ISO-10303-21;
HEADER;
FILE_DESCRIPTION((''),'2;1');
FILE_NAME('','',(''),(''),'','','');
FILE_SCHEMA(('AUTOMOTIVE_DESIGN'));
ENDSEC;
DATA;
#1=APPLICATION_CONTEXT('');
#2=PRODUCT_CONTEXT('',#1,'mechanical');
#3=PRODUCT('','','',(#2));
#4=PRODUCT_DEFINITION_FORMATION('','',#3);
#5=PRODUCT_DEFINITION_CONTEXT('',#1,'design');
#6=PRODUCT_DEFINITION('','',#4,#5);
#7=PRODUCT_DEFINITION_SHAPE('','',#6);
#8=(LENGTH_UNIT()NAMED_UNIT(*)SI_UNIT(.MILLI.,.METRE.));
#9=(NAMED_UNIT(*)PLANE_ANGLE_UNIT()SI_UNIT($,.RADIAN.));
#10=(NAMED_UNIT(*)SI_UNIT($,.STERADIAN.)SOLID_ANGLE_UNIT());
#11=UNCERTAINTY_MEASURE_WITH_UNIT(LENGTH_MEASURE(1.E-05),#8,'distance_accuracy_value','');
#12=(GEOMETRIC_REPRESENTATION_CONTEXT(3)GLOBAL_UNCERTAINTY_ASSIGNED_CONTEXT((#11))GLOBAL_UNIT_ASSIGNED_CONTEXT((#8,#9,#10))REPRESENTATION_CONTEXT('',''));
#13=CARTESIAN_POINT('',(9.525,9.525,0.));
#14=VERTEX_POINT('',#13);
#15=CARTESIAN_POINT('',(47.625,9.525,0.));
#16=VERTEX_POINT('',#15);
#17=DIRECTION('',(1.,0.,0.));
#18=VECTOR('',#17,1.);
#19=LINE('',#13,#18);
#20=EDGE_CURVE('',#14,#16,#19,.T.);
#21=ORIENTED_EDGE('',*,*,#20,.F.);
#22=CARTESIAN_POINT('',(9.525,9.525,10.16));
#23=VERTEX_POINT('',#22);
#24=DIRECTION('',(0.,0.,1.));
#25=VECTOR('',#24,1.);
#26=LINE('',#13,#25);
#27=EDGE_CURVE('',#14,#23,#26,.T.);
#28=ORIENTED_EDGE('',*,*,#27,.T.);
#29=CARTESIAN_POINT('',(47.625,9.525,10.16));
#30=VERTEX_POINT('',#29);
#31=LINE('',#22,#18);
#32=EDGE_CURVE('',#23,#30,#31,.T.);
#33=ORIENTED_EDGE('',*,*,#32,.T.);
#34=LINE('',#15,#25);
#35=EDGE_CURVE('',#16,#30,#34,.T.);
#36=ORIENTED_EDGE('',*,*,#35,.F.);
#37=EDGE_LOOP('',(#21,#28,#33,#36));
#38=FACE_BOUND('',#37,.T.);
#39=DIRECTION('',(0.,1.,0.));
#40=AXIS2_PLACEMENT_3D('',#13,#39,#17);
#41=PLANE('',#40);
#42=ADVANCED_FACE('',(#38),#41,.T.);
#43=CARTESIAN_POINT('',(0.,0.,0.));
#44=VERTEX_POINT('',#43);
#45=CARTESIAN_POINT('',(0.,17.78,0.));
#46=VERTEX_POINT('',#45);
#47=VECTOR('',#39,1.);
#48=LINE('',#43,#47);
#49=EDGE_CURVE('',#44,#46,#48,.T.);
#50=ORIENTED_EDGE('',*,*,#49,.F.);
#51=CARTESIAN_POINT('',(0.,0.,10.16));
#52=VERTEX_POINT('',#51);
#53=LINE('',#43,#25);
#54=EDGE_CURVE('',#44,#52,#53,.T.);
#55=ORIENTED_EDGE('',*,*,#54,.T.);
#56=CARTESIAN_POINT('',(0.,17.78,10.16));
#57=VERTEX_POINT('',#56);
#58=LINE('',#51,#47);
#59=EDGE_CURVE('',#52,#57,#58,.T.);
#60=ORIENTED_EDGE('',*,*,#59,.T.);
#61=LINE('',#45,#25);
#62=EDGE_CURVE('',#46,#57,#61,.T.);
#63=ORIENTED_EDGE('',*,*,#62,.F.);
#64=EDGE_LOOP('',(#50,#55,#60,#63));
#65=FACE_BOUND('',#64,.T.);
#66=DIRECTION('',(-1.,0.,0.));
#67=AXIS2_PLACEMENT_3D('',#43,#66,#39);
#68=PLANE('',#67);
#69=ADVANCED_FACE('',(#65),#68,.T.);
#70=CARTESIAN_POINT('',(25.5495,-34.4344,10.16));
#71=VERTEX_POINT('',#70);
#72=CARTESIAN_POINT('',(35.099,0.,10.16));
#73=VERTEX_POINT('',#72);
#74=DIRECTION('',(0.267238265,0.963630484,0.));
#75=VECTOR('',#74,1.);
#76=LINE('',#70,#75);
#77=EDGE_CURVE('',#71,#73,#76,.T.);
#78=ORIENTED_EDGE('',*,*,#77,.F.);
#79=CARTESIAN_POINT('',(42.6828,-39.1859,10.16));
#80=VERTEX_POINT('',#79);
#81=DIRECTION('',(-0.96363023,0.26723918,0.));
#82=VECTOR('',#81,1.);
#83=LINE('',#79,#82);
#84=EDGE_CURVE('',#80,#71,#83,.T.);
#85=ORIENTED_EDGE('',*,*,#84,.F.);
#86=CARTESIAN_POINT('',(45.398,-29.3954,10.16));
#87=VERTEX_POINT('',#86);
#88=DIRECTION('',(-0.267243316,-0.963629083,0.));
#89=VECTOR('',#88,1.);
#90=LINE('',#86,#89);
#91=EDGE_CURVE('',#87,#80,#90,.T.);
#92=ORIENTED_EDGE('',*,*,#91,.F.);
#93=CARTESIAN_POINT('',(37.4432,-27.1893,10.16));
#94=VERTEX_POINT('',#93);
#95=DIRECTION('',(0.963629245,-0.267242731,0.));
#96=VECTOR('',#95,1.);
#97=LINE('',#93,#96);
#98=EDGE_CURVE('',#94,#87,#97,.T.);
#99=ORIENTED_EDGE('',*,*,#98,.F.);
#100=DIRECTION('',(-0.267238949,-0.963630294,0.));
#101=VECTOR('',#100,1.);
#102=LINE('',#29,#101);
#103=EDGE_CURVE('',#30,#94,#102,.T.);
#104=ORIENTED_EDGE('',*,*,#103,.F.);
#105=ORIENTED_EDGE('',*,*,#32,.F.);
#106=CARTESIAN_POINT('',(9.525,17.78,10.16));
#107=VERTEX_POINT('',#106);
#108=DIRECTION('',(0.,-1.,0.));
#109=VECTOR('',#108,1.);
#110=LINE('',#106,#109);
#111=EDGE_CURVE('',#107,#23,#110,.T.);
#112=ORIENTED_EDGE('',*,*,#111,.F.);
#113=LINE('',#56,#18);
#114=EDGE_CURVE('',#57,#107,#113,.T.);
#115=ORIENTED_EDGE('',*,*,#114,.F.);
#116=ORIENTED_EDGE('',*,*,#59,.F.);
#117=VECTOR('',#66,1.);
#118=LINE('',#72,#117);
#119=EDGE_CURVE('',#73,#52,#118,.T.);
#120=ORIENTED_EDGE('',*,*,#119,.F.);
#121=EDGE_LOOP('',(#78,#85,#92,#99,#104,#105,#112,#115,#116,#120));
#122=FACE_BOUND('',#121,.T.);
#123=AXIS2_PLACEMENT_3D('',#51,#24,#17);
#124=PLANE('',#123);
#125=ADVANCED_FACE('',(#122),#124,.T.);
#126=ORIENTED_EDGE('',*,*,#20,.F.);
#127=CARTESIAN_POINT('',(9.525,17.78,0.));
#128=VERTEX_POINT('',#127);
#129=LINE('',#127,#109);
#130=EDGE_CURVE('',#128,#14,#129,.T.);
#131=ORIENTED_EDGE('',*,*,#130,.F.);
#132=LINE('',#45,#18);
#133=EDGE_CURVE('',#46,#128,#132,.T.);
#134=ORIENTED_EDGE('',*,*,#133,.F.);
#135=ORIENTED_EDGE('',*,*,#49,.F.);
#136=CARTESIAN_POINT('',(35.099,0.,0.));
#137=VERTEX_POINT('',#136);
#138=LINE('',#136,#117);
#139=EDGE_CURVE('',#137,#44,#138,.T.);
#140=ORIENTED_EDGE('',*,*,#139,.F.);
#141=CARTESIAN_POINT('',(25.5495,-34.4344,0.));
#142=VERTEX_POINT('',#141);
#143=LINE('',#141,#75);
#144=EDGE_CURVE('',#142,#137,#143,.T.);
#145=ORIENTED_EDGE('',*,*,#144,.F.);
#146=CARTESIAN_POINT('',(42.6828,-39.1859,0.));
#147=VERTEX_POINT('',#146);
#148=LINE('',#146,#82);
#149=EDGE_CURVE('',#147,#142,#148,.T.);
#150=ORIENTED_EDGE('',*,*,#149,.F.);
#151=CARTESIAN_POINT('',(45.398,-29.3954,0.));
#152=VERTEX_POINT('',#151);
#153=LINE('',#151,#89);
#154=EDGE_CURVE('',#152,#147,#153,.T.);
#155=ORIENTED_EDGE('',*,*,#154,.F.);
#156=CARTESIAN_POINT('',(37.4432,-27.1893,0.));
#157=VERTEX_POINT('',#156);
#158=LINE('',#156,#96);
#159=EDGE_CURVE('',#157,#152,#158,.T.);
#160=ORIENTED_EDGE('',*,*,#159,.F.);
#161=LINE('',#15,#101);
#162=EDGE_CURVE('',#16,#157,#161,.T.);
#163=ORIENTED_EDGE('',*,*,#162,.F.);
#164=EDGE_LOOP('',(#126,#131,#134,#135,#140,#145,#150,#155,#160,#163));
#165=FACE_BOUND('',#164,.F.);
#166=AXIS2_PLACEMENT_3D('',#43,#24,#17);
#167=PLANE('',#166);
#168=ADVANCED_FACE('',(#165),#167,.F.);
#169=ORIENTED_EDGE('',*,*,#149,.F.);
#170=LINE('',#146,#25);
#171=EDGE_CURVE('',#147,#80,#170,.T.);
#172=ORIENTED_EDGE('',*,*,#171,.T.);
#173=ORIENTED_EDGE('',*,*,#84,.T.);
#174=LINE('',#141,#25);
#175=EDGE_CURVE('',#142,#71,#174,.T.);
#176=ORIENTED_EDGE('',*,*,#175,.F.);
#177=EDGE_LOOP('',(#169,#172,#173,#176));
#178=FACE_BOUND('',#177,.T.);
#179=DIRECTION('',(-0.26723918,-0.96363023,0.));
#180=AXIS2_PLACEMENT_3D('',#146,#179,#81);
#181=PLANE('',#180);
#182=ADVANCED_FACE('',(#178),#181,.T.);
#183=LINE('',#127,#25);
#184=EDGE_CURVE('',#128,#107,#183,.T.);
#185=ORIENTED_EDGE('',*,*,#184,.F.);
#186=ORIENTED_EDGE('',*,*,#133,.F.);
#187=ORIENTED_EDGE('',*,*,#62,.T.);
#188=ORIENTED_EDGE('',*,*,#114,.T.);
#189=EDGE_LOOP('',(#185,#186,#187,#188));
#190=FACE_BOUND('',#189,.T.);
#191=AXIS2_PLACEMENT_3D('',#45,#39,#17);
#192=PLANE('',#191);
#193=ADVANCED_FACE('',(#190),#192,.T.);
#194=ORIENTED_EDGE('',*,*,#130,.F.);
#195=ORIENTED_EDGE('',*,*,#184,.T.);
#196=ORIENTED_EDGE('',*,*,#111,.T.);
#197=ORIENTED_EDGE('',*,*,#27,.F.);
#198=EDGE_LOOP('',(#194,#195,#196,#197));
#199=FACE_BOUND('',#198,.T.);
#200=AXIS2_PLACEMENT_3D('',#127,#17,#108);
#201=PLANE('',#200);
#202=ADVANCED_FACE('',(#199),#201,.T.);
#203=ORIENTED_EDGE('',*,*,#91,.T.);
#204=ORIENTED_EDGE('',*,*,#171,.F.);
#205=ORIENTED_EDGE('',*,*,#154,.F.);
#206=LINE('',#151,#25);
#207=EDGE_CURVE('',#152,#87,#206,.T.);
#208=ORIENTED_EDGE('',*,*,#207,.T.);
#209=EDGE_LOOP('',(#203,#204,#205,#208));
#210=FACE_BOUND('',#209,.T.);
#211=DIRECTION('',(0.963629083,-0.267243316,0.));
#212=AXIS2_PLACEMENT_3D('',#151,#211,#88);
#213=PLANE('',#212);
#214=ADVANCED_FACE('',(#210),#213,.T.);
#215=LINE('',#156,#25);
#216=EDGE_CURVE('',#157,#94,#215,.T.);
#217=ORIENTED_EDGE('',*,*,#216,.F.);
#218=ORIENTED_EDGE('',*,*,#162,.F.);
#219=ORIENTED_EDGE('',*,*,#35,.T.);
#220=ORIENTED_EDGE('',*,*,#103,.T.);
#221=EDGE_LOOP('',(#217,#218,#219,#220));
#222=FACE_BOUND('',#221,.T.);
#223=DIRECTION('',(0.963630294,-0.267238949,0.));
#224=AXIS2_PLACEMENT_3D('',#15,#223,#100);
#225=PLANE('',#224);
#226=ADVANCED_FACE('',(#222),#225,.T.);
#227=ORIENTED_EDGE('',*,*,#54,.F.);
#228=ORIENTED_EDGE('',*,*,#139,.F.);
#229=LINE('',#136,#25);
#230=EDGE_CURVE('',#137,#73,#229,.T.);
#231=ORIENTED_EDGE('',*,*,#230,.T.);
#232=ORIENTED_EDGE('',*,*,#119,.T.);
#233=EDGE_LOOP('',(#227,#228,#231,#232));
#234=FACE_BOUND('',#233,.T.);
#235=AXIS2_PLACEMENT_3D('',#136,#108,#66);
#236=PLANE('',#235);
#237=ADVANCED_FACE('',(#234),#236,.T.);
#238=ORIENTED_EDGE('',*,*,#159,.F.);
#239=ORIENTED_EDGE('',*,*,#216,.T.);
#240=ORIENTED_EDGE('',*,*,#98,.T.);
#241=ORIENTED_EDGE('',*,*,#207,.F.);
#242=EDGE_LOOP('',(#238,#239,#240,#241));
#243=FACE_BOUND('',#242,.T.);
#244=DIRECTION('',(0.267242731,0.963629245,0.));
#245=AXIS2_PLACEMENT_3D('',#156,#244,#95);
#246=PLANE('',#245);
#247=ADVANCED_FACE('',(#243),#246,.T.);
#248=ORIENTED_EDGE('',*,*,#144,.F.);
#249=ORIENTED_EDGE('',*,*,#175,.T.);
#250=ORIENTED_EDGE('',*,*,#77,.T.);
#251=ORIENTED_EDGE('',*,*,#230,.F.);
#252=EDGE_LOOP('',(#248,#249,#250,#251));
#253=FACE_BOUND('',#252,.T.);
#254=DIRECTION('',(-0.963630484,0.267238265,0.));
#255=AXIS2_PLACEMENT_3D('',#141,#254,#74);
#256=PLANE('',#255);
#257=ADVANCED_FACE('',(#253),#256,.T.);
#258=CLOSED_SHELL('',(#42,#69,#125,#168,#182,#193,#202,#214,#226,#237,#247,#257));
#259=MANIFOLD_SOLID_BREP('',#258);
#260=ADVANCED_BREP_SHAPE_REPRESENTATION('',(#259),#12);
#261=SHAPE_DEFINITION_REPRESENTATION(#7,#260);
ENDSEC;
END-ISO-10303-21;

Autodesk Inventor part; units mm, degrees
ref_plane "YZ Plane" through (0, 0, 0) normal (1, 0, 0) x (0, 1, 0)
ref_plane "XZ Plane" through (0, 0, 0) normal (0, 1, 0) x (-1, 0, 0)
ref_plane "XY Plane" through (0, 0, 0) normal (0, 0, 1) x (1, 0, 0)
sketch "Sketch1" plane through (0, 0, 0) normal (0, 0, 1) x (1, 0, 0)
  line L0 (0, 0) -> (0, 17.78)
  line L1 (0, 17.78) -> (9.525, 17.78)
  line L2 (9.525, 17.78) -> (9.525, 9.525)
  line L3 (9.525, 9.525) -> (47.625, 9.525)
  line L4 (47.625, 9.525) -> (37.4432, -27.1893)
  line L5 (37.4432, -27.1893) -> (45.398, -29.3954)
  line L6 (45.398, -29.3954) -> (42.6828, -39.1859)
  line L7 (42.6828, -39.1859) -> (25.5495, -34.4344)
  line L8 (25.5495, -34.4344) -> (35.099, 0)
  line L9 (35.099, 0) -> (0, 0)
  dimension "d7" = 17.78
  dimension "d8" = 9.525
  dimension "d9" = 8.255
  dimension "d10" = 38.1
  dimension "d11" = 38.1
  dimension "d12" = 74.5
  dimension "d13" = 8.255
  dimension "d14" = 10.16
  dimension "d15" = 17.78
extrude "Extrusion1" add sketch "Sketch1" along normal blind 10.16
properties part number "AcutePlateAttacher_v1"
